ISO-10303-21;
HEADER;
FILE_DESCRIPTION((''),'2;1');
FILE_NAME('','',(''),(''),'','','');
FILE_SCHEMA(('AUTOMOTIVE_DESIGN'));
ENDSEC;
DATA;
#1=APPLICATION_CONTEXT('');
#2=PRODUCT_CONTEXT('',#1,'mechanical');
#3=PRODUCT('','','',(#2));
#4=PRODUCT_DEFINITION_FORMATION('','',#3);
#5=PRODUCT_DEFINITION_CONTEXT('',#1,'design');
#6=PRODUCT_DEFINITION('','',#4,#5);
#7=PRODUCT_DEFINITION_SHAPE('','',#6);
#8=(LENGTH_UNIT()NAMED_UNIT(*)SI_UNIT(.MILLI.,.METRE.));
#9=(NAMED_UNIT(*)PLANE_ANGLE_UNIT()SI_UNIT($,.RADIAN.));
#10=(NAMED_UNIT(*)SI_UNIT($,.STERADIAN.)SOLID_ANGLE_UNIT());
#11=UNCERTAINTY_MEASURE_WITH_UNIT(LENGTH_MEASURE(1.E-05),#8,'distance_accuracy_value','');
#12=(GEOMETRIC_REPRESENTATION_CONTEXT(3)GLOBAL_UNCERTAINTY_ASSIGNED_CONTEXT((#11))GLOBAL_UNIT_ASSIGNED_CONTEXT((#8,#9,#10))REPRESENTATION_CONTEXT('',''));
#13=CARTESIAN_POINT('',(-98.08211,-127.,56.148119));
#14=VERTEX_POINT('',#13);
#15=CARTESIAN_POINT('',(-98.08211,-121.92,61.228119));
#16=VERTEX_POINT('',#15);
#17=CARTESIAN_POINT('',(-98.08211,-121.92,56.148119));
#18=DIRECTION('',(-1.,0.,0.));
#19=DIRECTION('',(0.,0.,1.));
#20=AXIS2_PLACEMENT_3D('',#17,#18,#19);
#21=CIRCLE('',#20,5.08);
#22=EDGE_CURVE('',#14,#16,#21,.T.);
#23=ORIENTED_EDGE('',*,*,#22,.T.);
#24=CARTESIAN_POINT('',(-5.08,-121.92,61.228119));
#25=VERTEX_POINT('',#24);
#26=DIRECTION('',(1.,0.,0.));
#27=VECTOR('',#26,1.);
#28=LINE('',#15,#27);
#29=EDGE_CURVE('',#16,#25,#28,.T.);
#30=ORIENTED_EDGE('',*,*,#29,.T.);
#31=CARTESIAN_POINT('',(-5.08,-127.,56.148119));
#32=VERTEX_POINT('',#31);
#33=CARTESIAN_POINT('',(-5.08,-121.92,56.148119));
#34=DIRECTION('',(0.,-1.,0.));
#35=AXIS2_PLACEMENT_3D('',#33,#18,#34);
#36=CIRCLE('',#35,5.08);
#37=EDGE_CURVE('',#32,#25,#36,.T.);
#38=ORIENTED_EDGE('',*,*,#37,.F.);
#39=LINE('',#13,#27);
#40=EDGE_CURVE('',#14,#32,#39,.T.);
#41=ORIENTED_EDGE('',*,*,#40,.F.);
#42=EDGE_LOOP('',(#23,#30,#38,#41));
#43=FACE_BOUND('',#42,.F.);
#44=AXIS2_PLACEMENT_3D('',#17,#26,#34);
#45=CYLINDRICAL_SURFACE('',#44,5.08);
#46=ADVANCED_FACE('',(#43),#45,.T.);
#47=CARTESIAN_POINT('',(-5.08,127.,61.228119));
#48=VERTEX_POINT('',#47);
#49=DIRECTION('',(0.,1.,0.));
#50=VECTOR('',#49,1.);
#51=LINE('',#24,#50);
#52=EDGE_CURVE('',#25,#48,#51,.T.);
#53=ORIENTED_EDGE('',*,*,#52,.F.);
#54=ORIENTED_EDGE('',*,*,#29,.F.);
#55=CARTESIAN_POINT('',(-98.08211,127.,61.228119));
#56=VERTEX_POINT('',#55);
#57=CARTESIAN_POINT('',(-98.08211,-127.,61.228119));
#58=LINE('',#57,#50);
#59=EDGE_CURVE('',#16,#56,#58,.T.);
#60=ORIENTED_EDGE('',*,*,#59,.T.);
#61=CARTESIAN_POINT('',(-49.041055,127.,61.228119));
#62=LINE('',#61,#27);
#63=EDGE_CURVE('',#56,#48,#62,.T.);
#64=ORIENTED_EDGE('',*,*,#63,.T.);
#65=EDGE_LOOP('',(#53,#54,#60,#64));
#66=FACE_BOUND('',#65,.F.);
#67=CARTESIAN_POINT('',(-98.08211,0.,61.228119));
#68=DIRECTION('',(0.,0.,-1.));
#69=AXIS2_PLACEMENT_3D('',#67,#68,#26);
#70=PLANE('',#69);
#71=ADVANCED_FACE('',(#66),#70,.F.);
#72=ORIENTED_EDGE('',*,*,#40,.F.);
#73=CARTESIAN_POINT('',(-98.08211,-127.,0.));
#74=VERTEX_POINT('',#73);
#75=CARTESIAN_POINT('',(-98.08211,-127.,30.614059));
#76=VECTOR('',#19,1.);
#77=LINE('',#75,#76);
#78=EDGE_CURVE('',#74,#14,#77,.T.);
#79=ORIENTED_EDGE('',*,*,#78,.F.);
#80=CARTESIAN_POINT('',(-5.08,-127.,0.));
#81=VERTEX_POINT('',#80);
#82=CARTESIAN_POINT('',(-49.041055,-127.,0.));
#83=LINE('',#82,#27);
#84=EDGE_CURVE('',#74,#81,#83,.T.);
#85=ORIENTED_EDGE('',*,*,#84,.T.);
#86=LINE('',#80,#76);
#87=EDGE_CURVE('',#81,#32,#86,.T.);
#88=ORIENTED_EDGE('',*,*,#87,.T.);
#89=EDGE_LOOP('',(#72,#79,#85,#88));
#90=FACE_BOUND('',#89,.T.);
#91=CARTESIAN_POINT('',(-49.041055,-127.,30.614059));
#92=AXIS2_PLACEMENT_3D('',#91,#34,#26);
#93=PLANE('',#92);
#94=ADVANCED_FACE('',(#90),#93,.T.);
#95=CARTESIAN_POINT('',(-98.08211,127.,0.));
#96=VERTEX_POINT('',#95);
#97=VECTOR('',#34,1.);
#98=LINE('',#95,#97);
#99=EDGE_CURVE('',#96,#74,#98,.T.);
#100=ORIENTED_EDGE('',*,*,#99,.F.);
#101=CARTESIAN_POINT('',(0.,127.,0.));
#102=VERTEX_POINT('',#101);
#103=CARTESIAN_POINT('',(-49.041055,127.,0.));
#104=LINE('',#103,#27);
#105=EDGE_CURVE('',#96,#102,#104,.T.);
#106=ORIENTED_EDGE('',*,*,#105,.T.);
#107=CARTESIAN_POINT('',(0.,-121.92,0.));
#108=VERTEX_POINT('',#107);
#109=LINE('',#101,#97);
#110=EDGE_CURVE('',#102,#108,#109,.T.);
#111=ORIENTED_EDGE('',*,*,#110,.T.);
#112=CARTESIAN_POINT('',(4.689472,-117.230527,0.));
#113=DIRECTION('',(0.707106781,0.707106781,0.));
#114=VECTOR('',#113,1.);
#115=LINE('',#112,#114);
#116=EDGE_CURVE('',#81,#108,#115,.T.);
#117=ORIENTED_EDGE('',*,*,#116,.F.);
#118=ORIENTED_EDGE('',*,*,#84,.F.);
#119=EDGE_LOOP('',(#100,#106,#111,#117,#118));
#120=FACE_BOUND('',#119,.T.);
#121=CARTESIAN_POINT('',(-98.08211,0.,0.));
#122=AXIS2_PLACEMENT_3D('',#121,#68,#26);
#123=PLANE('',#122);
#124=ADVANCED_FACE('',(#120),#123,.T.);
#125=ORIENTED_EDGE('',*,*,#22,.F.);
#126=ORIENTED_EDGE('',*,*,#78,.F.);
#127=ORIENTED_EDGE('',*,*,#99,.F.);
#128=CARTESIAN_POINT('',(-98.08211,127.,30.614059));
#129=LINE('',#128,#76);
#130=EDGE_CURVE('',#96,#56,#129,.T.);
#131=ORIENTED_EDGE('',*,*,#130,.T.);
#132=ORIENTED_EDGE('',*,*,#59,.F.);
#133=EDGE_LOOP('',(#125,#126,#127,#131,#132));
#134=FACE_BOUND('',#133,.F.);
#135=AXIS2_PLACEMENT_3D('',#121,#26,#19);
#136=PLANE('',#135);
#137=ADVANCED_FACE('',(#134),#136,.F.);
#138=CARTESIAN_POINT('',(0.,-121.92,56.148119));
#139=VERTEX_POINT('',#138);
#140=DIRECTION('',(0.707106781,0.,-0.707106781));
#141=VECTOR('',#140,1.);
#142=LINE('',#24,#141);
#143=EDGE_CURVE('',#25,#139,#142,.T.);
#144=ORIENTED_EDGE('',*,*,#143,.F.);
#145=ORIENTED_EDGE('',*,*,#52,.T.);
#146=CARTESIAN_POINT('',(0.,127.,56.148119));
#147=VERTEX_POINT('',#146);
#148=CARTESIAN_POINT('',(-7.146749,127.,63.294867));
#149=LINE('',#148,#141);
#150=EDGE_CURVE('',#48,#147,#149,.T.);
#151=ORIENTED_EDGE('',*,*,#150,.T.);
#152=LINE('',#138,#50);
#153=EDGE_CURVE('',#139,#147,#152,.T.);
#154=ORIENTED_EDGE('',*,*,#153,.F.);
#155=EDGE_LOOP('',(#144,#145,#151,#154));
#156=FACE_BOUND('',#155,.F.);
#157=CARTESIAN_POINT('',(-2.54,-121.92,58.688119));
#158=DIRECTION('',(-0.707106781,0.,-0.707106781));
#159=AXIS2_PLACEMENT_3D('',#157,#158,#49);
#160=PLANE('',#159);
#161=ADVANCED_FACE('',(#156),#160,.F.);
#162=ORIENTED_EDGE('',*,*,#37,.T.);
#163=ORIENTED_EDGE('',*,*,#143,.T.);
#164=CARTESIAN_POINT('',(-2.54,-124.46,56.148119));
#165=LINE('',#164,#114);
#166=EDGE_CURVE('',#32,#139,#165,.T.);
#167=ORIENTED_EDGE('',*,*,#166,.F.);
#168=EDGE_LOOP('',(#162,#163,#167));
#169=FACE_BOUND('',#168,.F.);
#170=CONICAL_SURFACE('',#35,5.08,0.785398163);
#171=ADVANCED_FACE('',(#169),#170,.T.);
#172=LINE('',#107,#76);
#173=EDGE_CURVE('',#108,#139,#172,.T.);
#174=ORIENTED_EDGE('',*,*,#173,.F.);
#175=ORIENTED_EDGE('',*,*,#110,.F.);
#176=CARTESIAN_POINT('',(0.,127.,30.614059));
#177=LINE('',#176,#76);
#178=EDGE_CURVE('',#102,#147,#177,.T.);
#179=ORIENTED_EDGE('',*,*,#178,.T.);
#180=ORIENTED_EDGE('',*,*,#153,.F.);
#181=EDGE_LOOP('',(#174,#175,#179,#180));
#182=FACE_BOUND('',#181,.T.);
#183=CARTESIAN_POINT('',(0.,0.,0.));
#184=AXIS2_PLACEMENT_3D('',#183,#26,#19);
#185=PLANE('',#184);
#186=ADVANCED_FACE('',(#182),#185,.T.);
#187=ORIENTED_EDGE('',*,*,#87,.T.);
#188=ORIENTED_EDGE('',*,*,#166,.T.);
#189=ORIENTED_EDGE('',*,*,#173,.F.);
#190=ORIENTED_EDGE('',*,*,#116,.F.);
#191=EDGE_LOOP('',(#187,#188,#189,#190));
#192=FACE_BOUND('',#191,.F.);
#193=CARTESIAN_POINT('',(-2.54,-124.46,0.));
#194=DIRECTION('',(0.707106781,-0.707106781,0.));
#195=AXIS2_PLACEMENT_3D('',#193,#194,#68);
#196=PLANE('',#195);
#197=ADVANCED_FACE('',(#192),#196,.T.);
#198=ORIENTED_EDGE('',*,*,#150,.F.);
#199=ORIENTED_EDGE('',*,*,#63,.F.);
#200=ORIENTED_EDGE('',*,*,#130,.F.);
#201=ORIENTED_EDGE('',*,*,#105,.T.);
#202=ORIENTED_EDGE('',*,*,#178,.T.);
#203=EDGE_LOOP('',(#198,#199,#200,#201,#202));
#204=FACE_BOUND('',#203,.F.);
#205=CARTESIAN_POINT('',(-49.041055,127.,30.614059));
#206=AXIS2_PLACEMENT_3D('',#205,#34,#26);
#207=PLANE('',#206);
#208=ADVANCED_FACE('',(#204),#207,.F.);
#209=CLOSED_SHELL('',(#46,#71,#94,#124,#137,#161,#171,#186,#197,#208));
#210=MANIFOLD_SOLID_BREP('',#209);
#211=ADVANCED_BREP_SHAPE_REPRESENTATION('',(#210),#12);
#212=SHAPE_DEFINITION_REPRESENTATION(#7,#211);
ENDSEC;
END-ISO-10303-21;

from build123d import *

# Parameters (mm, degrees)
F0_W     = 98.08211
F0_H     = 61.228119
F1_DEPTH = 127
F2_R     = 5.08
F3_SIZE  = 5.08


with BuildPart() as f1:
    # F0 (on Front) → F1 (new body, symmetric)
    with BuildSketch(Plane.XZ):
        with Locations((-49.041055, 30.614059)):
            Rectangle(F0_W, F0_H)
    extrude(amount=F1_DEPTH, both=True)

    # F2
    f2_edges = [f1.edges().sort_by_distance(p)[0] for p in [
        (-49.041055, -127, 61.228119),
    ]]
    fillet(f2_edges, radius=F2_R)

    # F3
    f3_edges = [f1.edges().sort_by_distance(p)[0] for p in [
        (0, 2.54, 61.228119),
    ]]
    chamfer(f3_edges, length=F3_SIZE)


solid = f1.part
